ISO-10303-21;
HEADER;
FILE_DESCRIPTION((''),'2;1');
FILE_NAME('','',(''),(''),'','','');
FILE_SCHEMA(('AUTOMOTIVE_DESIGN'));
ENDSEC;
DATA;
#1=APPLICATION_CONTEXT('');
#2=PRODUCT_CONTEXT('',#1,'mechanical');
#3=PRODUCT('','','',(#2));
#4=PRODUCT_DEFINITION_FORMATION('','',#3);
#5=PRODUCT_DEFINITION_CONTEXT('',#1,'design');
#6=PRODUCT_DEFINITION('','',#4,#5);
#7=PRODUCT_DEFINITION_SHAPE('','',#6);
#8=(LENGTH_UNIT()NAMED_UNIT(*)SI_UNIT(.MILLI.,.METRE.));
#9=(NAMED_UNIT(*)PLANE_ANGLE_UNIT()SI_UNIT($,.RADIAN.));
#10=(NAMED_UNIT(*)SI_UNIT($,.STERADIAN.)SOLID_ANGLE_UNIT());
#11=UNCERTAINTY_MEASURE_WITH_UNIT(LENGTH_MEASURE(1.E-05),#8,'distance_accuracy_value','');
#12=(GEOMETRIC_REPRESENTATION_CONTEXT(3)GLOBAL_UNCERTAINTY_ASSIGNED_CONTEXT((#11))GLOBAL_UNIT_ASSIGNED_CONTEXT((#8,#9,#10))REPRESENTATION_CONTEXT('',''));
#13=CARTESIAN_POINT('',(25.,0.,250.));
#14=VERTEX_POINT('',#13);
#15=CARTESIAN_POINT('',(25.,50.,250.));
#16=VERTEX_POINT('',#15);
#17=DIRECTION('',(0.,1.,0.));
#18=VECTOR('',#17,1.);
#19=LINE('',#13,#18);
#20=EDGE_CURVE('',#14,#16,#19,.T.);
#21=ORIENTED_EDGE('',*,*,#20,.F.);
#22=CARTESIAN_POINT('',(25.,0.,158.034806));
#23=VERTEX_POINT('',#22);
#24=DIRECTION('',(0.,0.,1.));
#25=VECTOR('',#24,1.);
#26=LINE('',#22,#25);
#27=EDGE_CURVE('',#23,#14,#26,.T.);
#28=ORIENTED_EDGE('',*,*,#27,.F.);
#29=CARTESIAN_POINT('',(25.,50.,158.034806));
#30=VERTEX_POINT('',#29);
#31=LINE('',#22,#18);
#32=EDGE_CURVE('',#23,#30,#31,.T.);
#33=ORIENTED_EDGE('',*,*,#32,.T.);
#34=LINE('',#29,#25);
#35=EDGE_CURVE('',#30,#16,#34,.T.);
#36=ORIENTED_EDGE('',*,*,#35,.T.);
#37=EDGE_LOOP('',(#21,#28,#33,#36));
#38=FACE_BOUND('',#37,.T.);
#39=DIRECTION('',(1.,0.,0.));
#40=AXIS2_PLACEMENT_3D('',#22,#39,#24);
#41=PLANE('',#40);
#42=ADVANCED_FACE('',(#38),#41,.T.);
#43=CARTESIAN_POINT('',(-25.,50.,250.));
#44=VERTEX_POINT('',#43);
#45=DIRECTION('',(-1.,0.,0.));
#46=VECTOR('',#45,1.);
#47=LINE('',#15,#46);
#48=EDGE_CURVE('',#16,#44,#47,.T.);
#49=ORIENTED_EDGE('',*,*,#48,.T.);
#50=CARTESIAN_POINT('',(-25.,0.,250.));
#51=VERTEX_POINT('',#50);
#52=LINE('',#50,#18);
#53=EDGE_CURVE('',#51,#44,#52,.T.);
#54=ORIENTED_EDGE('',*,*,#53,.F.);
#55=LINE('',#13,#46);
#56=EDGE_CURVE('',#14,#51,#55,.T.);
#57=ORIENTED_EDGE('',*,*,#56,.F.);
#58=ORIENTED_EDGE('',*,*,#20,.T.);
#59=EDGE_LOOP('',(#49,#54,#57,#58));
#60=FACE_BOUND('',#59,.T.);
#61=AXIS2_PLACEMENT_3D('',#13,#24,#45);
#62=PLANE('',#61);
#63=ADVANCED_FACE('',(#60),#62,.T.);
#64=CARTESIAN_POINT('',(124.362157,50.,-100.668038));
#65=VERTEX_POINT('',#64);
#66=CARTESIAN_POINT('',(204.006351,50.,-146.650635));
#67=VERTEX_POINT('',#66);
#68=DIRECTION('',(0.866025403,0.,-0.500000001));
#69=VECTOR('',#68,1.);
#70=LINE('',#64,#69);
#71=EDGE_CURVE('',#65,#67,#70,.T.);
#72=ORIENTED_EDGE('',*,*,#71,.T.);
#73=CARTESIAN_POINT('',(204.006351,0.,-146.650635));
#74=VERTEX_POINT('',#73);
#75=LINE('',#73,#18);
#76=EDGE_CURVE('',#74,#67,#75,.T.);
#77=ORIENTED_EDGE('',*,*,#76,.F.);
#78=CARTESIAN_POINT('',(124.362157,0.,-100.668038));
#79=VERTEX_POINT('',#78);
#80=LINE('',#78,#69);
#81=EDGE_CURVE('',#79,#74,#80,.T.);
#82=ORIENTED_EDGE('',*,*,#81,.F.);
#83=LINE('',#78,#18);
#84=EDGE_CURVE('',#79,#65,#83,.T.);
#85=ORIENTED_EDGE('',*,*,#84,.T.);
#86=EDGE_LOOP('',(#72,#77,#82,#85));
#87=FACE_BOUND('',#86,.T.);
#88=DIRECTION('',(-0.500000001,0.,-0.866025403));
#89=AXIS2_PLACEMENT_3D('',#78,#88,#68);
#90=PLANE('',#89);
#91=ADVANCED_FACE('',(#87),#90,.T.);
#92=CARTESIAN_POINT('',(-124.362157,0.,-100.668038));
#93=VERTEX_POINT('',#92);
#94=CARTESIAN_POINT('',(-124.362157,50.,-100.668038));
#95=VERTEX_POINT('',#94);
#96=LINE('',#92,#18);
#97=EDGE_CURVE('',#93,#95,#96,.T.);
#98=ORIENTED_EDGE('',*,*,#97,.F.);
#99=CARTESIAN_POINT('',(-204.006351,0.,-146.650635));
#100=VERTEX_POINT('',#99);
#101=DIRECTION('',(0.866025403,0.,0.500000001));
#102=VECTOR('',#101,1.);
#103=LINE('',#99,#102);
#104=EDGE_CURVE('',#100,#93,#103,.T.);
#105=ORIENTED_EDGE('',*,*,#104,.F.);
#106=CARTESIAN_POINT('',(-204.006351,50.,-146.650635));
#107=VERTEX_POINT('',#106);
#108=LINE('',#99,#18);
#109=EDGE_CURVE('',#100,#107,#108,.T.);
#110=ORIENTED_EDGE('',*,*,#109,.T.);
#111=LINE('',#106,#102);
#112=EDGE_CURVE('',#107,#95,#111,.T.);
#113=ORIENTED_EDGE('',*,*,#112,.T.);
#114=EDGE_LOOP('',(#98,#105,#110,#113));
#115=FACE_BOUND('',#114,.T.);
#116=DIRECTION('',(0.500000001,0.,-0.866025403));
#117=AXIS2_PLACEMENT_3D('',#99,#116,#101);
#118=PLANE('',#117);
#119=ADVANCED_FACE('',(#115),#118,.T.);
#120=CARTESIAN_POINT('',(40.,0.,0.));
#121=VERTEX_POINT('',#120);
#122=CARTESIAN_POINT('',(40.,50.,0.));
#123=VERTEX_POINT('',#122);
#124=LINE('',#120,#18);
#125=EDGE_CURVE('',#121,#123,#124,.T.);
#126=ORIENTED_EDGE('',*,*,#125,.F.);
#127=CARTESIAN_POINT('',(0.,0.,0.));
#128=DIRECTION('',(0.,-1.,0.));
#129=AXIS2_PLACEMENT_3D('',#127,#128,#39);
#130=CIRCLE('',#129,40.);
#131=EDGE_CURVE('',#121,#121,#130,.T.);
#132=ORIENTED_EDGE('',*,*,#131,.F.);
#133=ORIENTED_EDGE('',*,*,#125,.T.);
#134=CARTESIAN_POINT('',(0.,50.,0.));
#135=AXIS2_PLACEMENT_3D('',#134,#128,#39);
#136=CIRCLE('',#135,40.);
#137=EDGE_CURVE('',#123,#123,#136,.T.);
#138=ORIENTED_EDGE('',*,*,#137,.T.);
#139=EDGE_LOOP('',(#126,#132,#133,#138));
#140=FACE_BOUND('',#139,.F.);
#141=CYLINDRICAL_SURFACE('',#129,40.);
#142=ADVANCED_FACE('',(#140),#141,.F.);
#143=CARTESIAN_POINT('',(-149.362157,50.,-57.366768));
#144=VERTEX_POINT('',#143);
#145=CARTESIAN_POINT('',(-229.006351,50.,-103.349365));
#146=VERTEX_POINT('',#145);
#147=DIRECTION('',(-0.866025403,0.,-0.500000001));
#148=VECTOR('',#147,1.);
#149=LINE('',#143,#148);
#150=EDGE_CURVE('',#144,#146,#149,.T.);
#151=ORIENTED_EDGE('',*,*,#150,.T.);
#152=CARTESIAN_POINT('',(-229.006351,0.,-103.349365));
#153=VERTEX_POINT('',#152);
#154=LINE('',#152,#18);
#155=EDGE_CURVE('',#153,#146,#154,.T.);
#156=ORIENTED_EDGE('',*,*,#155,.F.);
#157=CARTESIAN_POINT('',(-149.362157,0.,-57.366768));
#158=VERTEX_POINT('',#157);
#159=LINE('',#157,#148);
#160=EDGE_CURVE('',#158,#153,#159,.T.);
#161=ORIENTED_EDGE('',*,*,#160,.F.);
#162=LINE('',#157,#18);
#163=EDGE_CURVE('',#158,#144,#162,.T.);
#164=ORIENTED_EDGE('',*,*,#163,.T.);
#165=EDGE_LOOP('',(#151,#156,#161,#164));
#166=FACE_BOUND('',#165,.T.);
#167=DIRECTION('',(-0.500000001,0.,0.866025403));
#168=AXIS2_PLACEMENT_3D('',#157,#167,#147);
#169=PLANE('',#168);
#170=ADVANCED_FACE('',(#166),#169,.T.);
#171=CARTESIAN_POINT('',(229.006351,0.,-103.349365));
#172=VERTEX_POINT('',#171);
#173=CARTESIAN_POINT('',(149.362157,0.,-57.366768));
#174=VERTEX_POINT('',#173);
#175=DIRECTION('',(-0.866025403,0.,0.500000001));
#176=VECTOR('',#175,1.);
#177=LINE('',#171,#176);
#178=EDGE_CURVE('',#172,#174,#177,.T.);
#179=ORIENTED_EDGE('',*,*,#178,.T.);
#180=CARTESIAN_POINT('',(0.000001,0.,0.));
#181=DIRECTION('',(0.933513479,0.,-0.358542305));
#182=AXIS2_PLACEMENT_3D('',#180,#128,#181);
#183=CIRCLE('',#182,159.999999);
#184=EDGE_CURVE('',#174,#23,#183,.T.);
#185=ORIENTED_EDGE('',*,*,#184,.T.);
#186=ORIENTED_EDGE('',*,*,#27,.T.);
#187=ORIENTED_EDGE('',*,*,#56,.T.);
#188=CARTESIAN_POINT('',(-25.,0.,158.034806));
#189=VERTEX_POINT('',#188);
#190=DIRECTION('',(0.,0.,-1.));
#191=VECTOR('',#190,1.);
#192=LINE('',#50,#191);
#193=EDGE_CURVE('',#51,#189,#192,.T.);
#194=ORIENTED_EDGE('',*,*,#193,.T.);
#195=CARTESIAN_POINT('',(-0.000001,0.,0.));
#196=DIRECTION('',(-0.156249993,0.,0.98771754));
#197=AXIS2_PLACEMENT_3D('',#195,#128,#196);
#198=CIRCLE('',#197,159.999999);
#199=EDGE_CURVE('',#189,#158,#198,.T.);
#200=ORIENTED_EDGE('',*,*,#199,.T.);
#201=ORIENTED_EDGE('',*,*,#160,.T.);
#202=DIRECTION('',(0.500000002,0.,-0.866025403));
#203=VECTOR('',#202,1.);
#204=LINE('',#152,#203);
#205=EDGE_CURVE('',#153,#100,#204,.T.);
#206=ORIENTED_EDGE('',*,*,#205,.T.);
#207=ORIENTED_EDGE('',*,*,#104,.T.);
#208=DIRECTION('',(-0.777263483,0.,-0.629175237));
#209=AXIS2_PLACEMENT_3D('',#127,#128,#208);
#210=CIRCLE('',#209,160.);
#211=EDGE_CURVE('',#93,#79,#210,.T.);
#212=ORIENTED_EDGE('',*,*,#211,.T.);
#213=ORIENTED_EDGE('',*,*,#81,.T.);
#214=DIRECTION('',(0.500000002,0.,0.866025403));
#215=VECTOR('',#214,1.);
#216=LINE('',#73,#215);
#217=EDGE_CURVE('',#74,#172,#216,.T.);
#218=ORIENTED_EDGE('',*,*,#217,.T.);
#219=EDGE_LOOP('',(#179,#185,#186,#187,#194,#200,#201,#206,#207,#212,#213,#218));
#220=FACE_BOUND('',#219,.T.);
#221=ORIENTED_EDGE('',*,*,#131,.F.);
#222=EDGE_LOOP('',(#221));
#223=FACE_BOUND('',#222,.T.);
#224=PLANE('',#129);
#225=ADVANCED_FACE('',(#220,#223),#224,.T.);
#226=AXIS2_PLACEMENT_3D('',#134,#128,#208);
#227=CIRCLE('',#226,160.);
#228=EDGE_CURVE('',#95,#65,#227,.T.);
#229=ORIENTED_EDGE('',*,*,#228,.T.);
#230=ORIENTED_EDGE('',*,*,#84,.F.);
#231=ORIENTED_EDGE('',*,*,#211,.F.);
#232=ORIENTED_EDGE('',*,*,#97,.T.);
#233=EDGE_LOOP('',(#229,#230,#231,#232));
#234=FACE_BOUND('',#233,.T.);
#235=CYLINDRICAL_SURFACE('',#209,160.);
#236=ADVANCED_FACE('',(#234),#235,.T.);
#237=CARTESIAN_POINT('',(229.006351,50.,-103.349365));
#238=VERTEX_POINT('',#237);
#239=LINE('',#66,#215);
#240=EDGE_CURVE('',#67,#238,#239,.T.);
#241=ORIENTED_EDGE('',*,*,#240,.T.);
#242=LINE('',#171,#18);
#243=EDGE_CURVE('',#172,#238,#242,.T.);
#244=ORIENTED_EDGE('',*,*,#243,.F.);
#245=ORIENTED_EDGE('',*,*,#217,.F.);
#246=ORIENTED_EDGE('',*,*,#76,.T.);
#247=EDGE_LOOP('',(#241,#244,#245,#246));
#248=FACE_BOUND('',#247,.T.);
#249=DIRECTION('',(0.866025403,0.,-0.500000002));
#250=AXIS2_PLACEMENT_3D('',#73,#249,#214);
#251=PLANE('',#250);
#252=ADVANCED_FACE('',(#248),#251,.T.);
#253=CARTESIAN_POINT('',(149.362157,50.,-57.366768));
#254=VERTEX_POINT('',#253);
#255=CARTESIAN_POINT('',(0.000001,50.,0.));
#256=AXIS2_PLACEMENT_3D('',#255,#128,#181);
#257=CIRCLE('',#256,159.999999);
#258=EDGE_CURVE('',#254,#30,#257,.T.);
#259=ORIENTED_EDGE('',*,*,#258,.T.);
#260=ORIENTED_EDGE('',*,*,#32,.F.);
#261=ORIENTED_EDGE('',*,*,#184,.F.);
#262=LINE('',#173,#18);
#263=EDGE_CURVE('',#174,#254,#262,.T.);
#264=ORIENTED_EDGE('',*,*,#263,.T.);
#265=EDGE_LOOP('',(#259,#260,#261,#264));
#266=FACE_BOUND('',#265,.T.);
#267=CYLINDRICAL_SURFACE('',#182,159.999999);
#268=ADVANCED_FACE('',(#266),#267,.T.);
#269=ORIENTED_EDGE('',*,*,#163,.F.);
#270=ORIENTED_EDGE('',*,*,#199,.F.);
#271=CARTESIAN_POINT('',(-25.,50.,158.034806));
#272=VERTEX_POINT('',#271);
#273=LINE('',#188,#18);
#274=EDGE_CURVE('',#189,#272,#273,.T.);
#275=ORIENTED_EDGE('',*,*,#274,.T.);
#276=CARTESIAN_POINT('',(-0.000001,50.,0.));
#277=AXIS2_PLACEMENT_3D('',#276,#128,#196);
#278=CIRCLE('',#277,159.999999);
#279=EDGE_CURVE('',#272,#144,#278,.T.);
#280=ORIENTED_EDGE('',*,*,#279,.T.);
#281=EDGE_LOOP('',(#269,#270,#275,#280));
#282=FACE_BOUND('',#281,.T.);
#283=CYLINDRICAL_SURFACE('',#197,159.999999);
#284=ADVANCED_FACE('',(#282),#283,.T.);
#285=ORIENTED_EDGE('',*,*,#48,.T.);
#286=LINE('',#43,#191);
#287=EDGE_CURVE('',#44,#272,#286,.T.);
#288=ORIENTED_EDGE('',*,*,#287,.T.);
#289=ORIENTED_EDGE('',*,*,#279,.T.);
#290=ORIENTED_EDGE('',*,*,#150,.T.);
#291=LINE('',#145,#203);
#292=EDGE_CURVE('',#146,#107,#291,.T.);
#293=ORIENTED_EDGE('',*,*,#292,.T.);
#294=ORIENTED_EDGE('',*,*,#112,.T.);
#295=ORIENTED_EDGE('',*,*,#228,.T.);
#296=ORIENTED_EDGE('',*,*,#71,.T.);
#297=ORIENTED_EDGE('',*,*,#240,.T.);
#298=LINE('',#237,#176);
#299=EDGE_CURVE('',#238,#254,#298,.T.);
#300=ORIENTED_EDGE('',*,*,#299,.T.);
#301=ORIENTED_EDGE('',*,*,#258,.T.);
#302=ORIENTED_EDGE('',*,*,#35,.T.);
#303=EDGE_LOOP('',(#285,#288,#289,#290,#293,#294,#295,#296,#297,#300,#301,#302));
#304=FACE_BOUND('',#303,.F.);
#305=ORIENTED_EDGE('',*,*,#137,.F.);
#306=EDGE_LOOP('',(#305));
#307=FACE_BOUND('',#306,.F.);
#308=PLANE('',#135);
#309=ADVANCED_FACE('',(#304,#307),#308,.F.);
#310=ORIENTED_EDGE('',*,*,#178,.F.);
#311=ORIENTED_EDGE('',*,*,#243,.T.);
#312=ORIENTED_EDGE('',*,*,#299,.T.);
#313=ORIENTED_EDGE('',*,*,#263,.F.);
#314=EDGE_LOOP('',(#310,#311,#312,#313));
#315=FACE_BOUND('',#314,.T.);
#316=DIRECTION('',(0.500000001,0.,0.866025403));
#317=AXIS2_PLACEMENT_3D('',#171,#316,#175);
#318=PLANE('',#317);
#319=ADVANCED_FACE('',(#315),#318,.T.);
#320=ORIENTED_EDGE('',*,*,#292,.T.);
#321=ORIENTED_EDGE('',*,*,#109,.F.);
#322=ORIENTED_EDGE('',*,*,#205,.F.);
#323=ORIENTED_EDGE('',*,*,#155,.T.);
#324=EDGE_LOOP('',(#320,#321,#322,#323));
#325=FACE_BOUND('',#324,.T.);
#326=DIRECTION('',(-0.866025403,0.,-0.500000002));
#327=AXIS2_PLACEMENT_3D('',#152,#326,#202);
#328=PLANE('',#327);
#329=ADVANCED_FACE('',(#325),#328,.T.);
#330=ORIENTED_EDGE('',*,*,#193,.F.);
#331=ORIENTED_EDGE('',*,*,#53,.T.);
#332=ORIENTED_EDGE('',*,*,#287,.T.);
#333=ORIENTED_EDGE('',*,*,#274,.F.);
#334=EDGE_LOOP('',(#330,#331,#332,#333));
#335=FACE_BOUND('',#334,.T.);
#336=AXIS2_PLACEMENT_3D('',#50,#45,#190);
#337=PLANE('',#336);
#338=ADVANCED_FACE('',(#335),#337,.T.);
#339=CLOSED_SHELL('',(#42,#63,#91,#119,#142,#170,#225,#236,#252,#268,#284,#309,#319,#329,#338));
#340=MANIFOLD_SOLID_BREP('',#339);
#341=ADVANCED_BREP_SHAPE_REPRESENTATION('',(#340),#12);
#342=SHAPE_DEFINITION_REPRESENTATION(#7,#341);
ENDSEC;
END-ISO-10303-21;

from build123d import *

# Parameters (mm, degrees)
F0_R     = 40
F1_DEPTH = 50


with BuildPart() as f1:
    # F0 (on Front) → F1 (new body)
    with BuildSketch(Plane.XZ):
        with BuildLine():
            Line((-25, 250), (-25, 158.034806))
            ThreePointArc((-25, 158.034806), (-138.564065, 80), (-149.362157, -57.366768))
            Line((-149.362157, -57.366768), (-229.006351, -103.349365))
            Line((-229.006351, -103.349365), (-204.006351, -146.650635))
            Line((-204.006351, -146.650635), (-124.362157, -100.668038))
            ThreePointArc((-124.362157, -100.668038), (0, -160), (124.362157, -100.668038))
            Line((124.362157, -100.668038), (204.006351, -146.650635))
            Line((204.006351, -146.650635), (229.006351, -103.349365))
            Line((229.006351, -103.349365), (149.362157, -57.366768))
            ThreePointArc((149.362157, -57.366768), (138.564065, 80), (25, 158.034806))
            Line((25, 158.034806), (25, 250))
            Line((25, 250), (-25, 250))
        make_face()
        Circle(F0_R, mode=Mode.SUBTRACT)
    extrude(amount=-F1_DEPTH)


solid = f1.part
